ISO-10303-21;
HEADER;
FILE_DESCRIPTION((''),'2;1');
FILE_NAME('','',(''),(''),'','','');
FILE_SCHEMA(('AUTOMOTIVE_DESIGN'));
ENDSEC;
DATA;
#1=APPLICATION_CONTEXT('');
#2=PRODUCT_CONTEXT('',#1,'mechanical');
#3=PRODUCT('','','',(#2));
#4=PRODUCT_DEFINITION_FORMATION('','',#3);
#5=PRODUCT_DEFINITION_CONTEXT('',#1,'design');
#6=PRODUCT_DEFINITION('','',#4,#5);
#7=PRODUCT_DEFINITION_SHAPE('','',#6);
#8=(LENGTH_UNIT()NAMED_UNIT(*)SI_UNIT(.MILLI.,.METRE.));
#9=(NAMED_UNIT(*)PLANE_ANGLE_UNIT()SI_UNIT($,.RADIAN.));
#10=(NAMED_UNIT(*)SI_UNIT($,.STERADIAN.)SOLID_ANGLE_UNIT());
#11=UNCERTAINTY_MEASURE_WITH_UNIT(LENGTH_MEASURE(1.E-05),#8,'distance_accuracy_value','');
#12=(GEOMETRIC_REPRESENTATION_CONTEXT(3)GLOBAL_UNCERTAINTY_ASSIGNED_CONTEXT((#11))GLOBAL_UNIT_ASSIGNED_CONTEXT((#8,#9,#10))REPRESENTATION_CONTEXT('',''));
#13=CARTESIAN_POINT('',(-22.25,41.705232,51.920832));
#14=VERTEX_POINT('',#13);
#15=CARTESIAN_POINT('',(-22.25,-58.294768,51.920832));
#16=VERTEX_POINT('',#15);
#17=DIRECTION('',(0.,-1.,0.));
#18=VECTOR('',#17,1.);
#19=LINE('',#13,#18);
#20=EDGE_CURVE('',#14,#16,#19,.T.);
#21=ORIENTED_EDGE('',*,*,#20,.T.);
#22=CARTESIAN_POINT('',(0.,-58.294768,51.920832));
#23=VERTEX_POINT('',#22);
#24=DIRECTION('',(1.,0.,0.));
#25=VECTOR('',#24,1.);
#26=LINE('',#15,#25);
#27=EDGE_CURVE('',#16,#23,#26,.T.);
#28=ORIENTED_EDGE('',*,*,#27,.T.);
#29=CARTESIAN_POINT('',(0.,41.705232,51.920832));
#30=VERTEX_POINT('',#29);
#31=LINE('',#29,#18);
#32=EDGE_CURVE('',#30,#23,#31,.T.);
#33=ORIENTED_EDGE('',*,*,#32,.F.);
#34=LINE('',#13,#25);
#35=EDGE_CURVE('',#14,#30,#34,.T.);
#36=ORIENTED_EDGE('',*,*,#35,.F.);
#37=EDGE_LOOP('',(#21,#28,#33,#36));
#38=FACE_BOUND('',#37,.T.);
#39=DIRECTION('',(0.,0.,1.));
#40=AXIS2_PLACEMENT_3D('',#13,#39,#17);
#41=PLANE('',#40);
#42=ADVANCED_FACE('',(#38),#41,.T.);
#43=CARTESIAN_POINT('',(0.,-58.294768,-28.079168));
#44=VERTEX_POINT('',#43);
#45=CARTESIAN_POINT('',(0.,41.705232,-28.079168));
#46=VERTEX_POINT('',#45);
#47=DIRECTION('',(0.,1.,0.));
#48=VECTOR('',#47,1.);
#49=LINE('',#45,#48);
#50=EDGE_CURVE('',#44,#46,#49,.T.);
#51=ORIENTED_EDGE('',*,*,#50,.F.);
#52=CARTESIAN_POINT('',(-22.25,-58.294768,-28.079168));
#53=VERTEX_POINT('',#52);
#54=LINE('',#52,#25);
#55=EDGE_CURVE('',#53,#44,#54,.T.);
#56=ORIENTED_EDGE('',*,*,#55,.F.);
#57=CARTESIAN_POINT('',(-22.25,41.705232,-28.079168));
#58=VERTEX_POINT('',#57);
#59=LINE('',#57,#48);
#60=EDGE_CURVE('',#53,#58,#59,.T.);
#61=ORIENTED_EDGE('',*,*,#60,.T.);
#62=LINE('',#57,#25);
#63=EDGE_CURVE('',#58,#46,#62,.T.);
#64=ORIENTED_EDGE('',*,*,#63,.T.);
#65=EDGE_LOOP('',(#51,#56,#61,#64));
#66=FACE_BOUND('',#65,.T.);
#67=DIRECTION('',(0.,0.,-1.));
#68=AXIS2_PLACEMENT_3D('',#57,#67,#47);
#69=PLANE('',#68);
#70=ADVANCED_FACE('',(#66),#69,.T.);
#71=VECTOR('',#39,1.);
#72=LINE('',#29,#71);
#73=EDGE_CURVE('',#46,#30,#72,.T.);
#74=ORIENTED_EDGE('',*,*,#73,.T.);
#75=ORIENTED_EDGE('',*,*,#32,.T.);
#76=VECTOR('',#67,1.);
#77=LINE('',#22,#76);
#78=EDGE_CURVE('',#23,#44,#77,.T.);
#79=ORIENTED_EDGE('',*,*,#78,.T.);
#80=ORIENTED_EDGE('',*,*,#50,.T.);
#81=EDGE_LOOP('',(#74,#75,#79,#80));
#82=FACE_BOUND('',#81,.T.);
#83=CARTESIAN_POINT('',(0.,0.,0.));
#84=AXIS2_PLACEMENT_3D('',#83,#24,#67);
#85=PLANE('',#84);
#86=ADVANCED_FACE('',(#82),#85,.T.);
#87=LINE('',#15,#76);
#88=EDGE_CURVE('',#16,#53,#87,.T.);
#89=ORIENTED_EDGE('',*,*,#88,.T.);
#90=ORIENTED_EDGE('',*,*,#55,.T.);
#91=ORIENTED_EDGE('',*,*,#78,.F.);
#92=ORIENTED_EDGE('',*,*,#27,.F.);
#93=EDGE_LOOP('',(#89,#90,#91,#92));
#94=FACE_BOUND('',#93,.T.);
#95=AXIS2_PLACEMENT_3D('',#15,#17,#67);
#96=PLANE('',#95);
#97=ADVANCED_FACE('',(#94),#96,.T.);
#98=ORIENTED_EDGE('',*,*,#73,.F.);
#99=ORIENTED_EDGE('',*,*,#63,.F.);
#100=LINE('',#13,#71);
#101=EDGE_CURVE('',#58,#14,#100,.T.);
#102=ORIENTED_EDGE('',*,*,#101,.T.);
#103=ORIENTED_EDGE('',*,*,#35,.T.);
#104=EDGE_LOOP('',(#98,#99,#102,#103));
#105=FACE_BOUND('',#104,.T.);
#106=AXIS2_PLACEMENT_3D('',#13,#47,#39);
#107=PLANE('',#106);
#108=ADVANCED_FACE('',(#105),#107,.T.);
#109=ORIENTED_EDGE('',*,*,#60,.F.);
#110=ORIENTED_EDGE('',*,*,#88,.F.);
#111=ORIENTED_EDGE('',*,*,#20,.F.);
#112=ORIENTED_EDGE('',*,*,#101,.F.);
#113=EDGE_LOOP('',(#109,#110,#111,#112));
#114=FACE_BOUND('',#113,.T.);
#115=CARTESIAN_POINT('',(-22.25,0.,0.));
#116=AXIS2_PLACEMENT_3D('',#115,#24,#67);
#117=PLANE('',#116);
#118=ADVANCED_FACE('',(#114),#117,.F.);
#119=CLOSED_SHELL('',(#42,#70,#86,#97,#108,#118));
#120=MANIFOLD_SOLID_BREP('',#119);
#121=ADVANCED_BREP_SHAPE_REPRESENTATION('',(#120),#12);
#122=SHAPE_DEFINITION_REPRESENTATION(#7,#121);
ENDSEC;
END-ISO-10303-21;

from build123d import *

# Parameters (mm, degrees)
SKETCH1_W           = 80
SKETCH1_H           = 100
BOSS_EXTRUDE1_DEPTH = 22.25


with BuildPart() as part:
    # Sketch1 → Boss-Extrude1 (new body)
    with BuildSketch(Plane(origin=(0, 0, 0), x_dir=(0, 0, -1), z_dir=(1, 0, 0))):
        with Locations((-11.920831682, -8.294767718)):
            Rectangle(SKETCH1_W, SKETCH1_H)
    extrude(amount=-BOSS_EXTRUDE1_DEPTH)


solid = part.part
